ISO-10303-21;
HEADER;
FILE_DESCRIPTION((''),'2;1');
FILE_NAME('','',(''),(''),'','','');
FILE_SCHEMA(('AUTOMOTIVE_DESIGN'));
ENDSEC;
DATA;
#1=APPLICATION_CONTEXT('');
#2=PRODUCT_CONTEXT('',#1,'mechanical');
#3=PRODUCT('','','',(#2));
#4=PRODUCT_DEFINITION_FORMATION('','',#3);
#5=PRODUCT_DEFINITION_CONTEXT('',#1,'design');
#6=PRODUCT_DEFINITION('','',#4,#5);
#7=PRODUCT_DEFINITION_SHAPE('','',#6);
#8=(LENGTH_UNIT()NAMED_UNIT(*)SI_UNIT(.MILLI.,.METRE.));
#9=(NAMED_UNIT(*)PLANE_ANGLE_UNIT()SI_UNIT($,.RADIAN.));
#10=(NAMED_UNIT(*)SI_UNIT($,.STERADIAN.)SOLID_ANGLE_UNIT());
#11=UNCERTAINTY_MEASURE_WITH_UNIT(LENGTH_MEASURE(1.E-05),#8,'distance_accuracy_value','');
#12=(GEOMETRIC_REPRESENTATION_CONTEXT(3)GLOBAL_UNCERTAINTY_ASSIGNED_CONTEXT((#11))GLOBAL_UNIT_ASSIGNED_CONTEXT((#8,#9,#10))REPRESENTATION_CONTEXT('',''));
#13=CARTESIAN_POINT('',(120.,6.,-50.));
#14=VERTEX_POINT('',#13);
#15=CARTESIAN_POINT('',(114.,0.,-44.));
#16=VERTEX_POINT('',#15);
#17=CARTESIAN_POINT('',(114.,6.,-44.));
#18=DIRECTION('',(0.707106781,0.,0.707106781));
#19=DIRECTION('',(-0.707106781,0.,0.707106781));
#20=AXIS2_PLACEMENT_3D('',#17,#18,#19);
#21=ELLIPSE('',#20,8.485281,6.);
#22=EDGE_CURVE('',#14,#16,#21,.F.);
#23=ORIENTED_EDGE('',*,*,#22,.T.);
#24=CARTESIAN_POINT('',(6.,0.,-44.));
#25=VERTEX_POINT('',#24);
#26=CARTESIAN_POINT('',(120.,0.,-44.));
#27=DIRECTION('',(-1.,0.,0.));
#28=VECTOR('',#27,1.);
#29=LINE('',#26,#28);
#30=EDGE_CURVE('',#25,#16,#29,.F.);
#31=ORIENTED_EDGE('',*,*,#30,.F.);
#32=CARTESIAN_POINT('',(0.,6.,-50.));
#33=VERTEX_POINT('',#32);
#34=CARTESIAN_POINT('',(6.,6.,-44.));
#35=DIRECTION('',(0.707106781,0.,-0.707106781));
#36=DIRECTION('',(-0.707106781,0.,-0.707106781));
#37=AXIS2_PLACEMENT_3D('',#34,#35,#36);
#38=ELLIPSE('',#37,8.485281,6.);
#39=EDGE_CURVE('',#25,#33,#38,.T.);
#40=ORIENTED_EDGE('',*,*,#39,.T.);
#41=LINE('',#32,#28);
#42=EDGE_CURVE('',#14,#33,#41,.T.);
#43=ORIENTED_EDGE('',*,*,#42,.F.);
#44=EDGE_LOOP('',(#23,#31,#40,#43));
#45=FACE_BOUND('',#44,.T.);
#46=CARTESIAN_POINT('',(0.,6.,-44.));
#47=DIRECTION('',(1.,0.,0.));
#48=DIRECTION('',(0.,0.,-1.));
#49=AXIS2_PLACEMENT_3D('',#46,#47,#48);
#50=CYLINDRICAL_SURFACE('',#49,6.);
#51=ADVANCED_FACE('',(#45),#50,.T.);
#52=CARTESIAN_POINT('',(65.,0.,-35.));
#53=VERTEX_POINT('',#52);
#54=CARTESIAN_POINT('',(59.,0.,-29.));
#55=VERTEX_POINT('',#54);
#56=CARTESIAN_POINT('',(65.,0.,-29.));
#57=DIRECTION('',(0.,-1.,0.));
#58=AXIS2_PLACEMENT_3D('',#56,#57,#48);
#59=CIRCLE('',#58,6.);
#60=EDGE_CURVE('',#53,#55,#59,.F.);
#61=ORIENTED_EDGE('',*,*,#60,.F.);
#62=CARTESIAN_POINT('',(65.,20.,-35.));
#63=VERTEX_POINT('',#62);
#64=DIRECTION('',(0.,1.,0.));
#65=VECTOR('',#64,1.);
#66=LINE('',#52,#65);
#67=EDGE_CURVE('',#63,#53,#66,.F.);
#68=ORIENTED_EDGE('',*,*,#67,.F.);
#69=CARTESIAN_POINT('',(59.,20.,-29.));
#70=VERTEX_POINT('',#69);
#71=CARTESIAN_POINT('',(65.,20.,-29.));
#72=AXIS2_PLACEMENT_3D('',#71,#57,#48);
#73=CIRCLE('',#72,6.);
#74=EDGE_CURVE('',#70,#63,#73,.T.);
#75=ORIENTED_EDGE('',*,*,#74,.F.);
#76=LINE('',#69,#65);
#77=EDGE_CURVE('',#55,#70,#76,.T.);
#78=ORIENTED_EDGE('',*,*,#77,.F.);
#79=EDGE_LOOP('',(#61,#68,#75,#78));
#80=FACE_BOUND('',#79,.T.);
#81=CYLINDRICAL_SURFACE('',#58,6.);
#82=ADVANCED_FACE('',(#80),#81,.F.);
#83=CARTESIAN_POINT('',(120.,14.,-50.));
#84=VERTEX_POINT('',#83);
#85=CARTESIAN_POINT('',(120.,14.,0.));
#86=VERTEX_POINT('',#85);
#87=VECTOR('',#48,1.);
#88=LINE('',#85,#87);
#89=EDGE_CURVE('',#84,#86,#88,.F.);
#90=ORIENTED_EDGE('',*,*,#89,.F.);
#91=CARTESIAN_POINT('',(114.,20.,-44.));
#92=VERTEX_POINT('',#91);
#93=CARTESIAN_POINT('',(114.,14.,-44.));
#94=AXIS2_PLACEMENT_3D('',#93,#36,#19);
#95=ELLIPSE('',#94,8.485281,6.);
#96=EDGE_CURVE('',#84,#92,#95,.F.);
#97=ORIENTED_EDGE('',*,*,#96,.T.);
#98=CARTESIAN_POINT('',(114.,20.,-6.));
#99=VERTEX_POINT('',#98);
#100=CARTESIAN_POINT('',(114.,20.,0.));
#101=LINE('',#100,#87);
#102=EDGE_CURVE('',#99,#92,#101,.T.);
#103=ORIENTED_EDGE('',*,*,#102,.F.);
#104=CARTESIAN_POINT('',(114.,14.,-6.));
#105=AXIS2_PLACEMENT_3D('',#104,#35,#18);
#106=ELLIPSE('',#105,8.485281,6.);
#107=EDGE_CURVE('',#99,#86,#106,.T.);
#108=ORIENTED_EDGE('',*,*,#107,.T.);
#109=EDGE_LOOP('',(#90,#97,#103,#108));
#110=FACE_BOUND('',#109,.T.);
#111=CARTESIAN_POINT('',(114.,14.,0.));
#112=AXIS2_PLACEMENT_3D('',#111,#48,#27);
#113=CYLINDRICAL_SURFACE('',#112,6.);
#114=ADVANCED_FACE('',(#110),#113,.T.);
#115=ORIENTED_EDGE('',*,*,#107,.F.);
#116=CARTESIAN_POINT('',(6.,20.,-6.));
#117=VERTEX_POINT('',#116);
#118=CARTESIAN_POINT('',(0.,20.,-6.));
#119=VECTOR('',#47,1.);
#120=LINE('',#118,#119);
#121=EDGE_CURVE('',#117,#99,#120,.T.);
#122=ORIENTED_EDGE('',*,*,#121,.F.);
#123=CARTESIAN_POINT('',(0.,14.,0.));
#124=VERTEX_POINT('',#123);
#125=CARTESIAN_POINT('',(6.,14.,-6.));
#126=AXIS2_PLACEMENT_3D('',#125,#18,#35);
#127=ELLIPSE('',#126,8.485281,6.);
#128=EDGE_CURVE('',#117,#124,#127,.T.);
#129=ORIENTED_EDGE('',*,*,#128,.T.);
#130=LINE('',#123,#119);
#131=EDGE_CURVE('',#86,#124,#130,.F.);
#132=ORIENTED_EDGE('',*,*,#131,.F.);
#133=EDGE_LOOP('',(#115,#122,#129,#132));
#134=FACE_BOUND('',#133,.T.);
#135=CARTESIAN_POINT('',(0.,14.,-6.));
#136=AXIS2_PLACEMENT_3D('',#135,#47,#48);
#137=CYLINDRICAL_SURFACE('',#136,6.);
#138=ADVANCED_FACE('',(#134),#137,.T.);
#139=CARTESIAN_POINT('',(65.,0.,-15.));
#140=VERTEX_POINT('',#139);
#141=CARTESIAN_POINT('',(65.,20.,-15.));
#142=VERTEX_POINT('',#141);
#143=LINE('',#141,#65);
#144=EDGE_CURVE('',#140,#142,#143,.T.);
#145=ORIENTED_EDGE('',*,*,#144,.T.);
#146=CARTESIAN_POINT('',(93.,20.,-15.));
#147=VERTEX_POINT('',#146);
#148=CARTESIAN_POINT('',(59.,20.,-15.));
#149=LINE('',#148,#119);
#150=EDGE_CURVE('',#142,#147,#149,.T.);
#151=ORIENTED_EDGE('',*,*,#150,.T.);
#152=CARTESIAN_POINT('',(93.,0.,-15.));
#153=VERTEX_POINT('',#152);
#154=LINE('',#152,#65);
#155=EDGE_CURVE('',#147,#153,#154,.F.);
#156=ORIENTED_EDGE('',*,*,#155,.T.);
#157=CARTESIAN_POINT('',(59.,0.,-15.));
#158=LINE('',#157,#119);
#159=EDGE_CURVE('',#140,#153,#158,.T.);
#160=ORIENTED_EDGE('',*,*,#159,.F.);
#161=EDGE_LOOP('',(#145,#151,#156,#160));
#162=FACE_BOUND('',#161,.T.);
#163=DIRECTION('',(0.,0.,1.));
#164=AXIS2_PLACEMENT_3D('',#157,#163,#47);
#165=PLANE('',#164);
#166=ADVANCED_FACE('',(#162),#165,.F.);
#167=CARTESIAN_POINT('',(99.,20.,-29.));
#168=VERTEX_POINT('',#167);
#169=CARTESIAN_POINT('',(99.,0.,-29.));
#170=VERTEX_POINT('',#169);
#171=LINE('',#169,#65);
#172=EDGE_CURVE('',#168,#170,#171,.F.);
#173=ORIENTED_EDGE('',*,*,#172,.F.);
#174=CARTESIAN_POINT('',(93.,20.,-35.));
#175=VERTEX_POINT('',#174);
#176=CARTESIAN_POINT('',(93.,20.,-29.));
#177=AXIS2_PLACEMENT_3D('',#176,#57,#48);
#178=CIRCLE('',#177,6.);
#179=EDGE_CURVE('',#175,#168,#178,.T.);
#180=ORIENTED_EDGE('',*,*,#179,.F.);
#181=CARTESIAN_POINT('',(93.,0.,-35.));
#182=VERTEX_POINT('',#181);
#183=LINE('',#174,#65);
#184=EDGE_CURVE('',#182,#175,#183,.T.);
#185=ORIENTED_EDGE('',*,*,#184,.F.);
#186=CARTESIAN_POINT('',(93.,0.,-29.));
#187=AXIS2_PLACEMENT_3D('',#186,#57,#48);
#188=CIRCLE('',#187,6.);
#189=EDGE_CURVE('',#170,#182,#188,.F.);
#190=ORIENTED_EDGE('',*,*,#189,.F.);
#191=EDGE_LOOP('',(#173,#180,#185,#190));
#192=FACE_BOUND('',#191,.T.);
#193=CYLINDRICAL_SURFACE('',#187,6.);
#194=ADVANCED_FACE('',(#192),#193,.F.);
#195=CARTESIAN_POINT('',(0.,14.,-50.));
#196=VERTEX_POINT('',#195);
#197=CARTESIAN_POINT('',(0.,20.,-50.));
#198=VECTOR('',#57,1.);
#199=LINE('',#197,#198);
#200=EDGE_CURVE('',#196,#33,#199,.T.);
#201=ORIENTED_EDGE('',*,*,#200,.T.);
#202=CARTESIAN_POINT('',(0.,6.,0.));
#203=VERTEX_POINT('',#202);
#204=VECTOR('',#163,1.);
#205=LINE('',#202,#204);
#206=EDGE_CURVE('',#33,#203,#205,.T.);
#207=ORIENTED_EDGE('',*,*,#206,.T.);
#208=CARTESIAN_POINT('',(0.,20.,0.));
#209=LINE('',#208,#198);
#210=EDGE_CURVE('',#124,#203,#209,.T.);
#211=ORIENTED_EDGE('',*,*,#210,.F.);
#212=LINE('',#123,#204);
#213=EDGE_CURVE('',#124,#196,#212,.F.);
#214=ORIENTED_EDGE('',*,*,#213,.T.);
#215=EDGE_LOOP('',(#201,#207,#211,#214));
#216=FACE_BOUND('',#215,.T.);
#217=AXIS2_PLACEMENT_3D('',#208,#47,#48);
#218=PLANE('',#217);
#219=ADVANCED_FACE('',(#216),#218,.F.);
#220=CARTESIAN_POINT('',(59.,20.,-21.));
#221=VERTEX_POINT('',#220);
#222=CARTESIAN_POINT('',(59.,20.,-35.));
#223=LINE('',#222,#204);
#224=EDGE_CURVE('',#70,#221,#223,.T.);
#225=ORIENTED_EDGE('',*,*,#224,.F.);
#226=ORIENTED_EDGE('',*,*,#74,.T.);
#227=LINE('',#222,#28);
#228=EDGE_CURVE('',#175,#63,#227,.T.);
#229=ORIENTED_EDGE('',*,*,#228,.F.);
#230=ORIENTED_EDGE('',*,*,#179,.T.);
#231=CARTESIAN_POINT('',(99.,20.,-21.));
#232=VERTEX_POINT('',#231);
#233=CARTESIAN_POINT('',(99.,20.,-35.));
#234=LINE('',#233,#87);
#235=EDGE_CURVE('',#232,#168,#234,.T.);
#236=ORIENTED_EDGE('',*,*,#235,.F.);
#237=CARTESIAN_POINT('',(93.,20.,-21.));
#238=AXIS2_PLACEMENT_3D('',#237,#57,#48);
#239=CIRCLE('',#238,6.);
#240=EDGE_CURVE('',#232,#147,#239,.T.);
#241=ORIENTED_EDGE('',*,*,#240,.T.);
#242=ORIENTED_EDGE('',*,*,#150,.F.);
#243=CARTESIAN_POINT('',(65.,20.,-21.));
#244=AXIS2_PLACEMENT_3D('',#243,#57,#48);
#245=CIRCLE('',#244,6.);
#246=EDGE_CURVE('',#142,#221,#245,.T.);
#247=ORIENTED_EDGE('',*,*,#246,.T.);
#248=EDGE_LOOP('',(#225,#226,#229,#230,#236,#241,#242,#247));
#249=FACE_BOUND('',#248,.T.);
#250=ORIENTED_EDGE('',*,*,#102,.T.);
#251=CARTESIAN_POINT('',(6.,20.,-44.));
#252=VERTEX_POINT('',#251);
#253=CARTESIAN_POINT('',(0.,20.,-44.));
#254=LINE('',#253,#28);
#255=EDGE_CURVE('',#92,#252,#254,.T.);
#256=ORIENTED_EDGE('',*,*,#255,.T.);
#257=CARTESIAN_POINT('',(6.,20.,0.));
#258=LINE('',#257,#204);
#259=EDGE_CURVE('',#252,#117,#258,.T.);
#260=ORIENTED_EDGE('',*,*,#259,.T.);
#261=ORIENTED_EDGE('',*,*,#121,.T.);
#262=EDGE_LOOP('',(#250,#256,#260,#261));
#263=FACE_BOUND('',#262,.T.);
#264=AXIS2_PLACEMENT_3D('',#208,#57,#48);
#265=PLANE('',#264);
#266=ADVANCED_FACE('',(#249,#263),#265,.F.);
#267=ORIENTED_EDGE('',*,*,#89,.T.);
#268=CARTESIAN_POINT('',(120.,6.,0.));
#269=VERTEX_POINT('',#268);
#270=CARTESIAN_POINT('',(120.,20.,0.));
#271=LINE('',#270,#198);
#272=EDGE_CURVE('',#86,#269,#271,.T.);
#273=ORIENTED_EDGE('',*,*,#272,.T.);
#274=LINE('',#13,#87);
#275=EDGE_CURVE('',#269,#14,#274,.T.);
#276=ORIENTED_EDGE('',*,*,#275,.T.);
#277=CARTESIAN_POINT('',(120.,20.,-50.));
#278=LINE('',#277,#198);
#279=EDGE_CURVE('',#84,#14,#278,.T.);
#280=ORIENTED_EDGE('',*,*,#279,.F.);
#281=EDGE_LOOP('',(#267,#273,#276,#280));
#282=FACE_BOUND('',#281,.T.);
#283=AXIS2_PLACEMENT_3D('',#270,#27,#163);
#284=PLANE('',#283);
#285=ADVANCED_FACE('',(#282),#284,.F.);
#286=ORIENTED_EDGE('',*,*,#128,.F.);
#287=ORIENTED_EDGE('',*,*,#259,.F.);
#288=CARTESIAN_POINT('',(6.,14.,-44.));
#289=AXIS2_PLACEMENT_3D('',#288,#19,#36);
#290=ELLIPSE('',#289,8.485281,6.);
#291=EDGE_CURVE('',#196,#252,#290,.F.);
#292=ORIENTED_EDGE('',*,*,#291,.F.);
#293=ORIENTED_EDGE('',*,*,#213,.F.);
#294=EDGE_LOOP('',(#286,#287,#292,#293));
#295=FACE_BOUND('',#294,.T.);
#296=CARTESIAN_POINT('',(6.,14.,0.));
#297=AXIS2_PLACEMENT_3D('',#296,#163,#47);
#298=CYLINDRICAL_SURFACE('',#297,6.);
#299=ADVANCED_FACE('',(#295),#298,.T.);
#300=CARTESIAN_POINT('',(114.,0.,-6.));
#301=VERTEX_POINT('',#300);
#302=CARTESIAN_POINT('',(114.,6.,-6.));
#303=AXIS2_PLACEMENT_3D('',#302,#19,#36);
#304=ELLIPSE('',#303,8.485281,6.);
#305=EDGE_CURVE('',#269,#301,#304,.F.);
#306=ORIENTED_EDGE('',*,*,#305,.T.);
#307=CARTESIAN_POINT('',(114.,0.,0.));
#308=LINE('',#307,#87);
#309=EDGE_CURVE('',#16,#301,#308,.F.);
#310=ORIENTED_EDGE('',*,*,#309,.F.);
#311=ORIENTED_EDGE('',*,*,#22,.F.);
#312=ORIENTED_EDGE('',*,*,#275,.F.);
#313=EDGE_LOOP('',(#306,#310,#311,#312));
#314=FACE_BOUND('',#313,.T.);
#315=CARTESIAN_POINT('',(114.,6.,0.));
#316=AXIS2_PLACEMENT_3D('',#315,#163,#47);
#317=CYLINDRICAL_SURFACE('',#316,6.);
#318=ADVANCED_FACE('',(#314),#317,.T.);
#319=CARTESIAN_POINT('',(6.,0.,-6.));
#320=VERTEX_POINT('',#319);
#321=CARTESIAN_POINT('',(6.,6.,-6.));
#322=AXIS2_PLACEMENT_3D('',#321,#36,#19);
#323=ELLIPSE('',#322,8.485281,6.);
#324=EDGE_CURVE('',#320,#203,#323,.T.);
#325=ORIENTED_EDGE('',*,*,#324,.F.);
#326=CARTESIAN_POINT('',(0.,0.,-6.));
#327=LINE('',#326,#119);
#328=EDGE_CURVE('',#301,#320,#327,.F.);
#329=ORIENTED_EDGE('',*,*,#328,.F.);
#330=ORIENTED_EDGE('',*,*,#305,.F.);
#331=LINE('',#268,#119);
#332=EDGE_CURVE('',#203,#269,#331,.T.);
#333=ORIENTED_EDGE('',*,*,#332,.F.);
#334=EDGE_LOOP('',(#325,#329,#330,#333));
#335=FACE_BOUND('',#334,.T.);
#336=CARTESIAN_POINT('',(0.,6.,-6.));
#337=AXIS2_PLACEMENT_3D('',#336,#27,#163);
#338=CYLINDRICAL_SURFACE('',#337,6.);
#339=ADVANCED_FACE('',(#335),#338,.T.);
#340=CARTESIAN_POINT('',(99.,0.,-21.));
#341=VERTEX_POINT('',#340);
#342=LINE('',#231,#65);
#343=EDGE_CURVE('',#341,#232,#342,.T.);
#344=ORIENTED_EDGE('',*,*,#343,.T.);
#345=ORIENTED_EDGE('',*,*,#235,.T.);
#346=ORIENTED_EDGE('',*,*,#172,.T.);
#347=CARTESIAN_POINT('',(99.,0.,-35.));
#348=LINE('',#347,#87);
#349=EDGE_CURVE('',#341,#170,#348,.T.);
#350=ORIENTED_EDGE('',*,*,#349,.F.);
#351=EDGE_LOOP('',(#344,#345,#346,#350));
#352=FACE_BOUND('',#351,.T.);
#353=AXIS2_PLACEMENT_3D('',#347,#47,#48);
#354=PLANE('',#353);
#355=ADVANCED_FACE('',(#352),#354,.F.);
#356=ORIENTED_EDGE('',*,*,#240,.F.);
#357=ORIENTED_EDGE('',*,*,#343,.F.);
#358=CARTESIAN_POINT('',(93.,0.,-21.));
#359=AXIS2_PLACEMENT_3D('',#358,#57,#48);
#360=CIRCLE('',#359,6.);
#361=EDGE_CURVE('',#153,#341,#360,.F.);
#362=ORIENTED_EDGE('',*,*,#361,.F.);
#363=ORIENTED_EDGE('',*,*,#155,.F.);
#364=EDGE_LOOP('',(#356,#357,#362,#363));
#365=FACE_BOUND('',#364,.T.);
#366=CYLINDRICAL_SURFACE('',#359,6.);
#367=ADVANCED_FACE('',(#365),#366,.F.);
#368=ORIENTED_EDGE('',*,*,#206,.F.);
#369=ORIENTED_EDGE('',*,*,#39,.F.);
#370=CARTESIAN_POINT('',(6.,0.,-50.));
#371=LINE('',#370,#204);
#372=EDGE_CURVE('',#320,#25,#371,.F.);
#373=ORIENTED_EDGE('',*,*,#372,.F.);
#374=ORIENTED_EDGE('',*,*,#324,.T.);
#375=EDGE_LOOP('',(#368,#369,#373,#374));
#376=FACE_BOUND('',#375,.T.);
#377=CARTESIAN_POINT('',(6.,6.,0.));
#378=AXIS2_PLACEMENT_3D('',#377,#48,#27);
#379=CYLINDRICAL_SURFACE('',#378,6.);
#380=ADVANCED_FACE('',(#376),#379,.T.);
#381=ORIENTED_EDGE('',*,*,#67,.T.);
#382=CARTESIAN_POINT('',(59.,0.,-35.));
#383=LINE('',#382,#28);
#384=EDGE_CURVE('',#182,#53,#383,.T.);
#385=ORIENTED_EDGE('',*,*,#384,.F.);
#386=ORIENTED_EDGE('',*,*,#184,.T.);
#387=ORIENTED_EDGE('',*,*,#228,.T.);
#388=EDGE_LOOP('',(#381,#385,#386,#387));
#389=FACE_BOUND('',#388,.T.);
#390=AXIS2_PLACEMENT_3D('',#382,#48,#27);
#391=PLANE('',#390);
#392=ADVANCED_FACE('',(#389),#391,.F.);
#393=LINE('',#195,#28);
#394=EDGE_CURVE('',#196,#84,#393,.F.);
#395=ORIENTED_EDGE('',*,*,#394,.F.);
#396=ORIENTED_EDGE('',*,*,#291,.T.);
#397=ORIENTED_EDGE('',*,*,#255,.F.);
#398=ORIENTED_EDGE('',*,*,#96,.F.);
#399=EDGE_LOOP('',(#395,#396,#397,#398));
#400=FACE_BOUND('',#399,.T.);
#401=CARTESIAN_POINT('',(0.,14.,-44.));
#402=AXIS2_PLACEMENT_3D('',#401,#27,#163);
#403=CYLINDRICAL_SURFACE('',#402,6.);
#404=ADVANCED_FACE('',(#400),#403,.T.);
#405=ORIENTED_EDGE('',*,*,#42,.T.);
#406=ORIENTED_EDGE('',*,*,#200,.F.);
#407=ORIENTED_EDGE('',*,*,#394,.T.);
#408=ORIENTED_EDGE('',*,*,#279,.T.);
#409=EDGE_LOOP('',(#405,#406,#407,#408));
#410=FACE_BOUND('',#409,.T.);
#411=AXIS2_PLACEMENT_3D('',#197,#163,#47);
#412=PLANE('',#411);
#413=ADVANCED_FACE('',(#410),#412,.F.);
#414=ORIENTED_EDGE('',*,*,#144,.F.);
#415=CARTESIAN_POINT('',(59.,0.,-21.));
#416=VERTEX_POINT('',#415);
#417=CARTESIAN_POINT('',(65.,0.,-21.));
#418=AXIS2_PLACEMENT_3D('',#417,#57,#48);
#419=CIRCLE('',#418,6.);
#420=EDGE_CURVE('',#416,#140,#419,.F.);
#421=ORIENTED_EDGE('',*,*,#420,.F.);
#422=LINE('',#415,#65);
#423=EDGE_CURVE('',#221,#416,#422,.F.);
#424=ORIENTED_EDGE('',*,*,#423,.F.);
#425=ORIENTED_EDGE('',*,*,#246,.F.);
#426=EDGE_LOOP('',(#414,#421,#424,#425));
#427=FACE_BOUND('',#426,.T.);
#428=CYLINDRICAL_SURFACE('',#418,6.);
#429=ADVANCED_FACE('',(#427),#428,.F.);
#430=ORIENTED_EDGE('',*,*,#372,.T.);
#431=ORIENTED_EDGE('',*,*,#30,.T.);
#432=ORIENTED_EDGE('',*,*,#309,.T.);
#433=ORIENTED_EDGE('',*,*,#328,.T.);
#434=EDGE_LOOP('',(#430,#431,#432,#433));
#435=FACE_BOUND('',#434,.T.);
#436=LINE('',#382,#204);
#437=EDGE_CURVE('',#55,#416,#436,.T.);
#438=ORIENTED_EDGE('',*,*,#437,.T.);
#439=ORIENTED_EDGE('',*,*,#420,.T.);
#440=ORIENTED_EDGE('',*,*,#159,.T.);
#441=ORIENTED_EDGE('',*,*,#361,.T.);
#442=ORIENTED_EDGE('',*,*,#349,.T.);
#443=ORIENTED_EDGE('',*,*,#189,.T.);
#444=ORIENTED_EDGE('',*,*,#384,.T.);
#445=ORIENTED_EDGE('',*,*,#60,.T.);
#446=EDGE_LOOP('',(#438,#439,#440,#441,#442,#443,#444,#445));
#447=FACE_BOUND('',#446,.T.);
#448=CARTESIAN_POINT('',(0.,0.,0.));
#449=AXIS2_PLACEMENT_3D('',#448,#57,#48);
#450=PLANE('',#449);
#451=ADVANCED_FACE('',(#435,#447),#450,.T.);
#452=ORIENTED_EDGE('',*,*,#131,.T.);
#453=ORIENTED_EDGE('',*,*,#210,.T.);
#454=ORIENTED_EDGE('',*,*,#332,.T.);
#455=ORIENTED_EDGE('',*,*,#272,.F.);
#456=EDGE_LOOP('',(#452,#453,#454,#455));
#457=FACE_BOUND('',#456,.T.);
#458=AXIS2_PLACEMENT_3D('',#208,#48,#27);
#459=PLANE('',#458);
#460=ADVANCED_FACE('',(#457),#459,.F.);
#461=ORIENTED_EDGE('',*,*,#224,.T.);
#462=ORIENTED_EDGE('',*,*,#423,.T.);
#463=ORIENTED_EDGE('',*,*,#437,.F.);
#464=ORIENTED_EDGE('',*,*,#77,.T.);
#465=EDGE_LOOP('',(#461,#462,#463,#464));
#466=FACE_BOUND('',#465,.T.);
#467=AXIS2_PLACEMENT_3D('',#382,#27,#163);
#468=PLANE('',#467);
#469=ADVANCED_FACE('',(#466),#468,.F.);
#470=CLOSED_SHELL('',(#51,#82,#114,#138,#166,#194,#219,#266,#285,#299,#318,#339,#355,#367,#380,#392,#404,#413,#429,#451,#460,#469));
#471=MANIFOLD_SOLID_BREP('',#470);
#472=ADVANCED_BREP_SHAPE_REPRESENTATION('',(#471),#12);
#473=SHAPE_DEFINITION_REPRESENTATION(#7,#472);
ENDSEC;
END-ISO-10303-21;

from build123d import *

# Parameters (mm, degrees)
ESBO_O2_W                = 120
ESBO_O2_H                = 50
RESSALTO_EXTRUS_O1_DEPTH = 20
FILETE1_R                = 6
ESBO_O3_W                = 40
ESBO_O3_H                = 20
CORTE_EXTRUS_O1_DEPTH    = 132.52946438
FILETE2_R                = 6


with BuildPart() as part:
    # Esboço2 → Ressalto-extrusão1 (new body)
    with BuildSketch(Plane(origin=(0, 0, 0), x_dir=(1, 0, 0), z_dir=(0, 1, 0))):
        with Locations((60, 25)):
            Rectangle(ESBO_O2_W, ESBO_O2_H)
    extrude(amount=RESSALTO_EXTRUS_O1_DEPTH)

    # Filete1
    filete1_edges = [part.edges().sort_by_distance(p)[0] for p in [
        (120, 20, -25),
        (60, 20, -50),
        (0, 20, -25),
        (60, 0, -50),
        (120, 0, -25),
        (60, 0, 0),
        (0, 0, -25),
        (60, 20, 0),
    ]]
    fillet(filete1_edges, radius=FILETE1_R)

    # Esboço3 → Corte-extrusão1 (cut, through all)
    with BuildSketch(Plane(origin=(0, 20, 0), x_dir=(1, 0, 0), z_dir=(0, 1, 0))):
        with Locations((79, 25)):
            Rectangle(ESBO_O3_W, ESBO_O3_H)
    extrude(amount=-CORTE_EXTRUS_O1_DEPTH, mode=Mode.SUBTRACT)

    # Filete2
    filete2_edges = [part.edges().sort_by_distance(p)[0] for p in [
        (59, 10, -15),
        (59, 10, -35),
        (99, 10, -35),
        (99, 10, -15),
    ]]
    fillet(filete2_edges, radius=FILETE2_R)


solid = part.part
